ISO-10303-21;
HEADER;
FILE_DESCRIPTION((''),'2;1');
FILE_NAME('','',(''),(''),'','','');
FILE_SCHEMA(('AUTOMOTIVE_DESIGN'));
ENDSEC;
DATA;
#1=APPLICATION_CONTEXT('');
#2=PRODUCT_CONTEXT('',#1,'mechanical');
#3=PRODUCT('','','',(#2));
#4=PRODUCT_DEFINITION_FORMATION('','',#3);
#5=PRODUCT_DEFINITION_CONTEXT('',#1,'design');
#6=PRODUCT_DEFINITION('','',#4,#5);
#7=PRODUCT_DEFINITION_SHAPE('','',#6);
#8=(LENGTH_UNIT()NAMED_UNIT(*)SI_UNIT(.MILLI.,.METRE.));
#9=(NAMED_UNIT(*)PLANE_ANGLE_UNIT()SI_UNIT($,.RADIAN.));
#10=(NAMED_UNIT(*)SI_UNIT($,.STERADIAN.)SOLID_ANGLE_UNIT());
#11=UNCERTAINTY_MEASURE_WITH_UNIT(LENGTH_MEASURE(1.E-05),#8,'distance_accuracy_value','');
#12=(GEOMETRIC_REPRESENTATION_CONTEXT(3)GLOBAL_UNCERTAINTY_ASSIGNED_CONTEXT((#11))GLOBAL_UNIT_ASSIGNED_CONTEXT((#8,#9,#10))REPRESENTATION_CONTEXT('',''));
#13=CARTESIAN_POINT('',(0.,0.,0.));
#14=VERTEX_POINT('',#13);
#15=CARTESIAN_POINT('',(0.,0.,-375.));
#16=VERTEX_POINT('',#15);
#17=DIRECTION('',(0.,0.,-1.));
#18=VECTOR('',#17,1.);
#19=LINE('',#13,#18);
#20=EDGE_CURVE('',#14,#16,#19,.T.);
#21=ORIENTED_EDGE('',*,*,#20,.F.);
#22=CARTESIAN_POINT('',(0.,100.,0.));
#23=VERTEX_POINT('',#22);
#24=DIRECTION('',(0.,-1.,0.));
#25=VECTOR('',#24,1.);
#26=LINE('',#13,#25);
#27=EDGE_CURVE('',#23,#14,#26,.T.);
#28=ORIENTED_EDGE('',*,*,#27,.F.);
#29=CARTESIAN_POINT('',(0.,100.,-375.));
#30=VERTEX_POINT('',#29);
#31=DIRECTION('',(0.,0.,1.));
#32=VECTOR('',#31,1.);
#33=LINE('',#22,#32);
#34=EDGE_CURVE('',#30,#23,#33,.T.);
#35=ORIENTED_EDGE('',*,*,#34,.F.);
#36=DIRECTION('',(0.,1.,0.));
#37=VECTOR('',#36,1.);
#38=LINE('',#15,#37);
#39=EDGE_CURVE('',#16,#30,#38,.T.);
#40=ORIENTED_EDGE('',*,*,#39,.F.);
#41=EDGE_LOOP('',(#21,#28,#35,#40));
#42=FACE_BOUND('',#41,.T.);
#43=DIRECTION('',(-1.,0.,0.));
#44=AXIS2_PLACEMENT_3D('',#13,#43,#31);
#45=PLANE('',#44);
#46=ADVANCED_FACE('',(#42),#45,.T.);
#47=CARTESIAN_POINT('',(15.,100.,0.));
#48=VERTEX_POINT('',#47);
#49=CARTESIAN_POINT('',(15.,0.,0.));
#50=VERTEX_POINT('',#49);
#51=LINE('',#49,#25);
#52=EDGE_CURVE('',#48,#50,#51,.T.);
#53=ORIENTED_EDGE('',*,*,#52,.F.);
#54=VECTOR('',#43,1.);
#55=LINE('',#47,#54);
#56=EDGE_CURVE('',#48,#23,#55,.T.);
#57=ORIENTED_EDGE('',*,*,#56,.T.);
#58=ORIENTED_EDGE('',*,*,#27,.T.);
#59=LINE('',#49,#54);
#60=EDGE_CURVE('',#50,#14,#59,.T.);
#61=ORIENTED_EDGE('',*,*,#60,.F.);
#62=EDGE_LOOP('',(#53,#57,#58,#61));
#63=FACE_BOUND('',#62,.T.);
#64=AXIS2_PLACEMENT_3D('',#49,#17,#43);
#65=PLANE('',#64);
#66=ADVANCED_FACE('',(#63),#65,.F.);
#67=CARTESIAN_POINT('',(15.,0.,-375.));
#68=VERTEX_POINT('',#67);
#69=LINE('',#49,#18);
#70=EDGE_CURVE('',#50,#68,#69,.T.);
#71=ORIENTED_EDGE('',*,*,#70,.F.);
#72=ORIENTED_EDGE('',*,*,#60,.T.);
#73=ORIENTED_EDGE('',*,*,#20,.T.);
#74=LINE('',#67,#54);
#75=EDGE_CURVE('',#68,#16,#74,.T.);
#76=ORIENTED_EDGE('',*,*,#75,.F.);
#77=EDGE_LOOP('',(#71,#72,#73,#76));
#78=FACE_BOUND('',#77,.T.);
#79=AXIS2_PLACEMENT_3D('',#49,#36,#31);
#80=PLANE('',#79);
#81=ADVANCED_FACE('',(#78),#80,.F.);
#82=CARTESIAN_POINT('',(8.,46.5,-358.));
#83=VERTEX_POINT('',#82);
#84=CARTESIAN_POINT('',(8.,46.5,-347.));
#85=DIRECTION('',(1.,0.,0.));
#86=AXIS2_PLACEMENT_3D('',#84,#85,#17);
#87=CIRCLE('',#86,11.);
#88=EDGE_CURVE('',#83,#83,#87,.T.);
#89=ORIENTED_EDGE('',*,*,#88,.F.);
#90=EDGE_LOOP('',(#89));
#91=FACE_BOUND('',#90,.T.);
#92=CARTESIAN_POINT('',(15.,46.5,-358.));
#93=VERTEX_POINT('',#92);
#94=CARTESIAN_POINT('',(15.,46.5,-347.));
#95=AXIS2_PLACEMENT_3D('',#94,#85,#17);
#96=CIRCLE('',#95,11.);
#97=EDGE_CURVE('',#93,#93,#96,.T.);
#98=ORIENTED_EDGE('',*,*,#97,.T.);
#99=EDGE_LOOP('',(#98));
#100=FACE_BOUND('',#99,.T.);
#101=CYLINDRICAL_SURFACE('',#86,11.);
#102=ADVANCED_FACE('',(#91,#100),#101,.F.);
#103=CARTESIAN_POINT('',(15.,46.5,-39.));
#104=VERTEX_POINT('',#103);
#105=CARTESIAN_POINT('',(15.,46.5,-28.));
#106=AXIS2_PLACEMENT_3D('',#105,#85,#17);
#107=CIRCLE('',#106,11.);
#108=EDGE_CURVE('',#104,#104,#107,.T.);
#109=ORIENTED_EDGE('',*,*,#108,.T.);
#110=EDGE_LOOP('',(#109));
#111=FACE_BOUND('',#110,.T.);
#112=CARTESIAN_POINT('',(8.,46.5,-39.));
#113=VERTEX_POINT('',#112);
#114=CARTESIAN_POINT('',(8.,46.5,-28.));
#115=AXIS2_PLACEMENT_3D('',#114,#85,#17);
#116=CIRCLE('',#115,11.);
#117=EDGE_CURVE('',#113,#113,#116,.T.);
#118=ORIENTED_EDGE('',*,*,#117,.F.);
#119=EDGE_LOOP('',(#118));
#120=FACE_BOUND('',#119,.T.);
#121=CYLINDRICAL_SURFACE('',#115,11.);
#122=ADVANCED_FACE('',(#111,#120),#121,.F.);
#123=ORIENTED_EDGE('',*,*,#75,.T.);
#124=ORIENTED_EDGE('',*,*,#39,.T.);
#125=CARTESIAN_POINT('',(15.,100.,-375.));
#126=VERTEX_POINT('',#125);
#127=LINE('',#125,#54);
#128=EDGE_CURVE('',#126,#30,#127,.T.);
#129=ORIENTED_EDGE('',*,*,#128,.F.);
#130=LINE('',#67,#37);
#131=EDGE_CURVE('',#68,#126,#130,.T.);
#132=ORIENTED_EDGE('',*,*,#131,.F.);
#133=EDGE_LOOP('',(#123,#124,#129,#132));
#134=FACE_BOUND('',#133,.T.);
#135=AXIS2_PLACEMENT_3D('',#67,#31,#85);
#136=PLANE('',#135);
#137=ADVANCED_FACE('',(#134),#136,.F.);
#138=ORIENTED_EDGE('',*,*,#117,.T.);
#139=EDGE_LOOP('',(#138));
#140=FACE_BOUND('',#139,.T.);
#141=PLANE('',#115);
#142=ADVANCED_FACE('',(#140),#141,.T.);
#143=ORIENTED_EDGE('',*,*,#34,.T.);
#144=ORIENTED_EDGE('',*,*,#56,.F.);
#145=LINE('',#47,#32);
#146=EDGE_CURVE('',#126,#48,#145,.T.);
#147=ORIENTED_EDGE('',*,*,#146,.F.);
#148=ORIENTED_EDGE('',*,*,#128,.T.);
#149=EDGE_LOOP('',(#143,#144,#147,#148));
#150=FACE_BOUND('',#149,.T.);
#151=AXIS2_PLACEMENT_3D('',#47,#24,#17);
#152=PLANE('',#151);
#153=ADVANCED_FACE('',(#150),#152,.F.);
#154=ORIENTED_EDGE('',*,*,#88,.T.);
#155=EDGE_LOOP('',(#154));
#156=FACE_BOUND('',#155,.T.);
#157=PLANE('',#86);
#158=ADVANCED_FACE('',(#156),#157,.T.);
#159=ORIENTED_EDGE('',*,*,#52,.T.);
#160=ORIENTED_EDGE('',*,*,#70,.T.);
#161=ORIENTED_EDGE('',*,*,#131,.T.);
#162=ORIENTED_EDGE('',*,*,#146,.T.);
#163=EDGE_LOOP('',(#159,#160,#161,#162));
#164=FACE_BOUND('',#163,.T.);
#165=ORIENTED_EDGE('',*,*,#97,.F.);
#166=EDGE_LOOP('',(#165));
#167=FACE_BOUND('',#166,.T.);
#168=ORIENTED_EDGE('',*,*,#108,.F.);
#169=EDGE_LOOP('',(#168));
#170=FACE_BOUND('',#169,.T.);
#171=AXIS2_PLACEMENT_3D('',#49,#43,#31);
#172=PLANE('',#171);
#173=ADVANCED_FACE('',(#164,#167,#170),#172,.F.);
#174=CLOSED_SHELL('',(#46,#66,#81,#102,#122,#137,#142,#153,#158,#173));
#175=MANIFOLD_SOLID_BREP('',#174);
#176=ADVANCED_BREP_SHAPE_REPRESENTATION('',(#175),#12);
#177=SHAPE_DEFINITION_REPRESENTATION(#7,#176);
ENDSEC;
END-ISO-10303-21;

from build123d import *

# Parameters (mm, degrees)
CROQUIS1_W              = 375
CROQUIS1_H              = 100
SALIENTE_EXTRUIR1_DEPTH = 15
CROQUIS2_R              = 11
CORTAR_EXTRUIR1_DEPTH   = 7


with BuildPart() as part:
    # Croquis1 → Saliente-Extruir1 (new body)
    with BuildSketch(Plane(origin=(0, 0, 0), x_dir=(0, 0, -1), z_dir=(1, 0, 0))):
        with Locations((187.5, 50)):
            Rectangle(CROQUIS1_W, CROQUIS1_H)
    extrude(amount=SALIENTE_EXTRUIR1_DEPTH)

    # Croquis2 → Cortar-Extruir1 (cut)
    with BuildSketch(Plane(origin=(15, 0, 0), x_dir=(0, 0, -1), z_dir=(1, 0, 0))):
        with Locations((28, 46.5)):
            Circle(CROQUIS2_R)
        with Locations((347, 46.5)):
            Circle(CROQUIS2_R)
    extrude(amount=-CORTAR_EXTRUIR1_DEPTH, mode=Mode.SUBTRACT)


solid = part.part
